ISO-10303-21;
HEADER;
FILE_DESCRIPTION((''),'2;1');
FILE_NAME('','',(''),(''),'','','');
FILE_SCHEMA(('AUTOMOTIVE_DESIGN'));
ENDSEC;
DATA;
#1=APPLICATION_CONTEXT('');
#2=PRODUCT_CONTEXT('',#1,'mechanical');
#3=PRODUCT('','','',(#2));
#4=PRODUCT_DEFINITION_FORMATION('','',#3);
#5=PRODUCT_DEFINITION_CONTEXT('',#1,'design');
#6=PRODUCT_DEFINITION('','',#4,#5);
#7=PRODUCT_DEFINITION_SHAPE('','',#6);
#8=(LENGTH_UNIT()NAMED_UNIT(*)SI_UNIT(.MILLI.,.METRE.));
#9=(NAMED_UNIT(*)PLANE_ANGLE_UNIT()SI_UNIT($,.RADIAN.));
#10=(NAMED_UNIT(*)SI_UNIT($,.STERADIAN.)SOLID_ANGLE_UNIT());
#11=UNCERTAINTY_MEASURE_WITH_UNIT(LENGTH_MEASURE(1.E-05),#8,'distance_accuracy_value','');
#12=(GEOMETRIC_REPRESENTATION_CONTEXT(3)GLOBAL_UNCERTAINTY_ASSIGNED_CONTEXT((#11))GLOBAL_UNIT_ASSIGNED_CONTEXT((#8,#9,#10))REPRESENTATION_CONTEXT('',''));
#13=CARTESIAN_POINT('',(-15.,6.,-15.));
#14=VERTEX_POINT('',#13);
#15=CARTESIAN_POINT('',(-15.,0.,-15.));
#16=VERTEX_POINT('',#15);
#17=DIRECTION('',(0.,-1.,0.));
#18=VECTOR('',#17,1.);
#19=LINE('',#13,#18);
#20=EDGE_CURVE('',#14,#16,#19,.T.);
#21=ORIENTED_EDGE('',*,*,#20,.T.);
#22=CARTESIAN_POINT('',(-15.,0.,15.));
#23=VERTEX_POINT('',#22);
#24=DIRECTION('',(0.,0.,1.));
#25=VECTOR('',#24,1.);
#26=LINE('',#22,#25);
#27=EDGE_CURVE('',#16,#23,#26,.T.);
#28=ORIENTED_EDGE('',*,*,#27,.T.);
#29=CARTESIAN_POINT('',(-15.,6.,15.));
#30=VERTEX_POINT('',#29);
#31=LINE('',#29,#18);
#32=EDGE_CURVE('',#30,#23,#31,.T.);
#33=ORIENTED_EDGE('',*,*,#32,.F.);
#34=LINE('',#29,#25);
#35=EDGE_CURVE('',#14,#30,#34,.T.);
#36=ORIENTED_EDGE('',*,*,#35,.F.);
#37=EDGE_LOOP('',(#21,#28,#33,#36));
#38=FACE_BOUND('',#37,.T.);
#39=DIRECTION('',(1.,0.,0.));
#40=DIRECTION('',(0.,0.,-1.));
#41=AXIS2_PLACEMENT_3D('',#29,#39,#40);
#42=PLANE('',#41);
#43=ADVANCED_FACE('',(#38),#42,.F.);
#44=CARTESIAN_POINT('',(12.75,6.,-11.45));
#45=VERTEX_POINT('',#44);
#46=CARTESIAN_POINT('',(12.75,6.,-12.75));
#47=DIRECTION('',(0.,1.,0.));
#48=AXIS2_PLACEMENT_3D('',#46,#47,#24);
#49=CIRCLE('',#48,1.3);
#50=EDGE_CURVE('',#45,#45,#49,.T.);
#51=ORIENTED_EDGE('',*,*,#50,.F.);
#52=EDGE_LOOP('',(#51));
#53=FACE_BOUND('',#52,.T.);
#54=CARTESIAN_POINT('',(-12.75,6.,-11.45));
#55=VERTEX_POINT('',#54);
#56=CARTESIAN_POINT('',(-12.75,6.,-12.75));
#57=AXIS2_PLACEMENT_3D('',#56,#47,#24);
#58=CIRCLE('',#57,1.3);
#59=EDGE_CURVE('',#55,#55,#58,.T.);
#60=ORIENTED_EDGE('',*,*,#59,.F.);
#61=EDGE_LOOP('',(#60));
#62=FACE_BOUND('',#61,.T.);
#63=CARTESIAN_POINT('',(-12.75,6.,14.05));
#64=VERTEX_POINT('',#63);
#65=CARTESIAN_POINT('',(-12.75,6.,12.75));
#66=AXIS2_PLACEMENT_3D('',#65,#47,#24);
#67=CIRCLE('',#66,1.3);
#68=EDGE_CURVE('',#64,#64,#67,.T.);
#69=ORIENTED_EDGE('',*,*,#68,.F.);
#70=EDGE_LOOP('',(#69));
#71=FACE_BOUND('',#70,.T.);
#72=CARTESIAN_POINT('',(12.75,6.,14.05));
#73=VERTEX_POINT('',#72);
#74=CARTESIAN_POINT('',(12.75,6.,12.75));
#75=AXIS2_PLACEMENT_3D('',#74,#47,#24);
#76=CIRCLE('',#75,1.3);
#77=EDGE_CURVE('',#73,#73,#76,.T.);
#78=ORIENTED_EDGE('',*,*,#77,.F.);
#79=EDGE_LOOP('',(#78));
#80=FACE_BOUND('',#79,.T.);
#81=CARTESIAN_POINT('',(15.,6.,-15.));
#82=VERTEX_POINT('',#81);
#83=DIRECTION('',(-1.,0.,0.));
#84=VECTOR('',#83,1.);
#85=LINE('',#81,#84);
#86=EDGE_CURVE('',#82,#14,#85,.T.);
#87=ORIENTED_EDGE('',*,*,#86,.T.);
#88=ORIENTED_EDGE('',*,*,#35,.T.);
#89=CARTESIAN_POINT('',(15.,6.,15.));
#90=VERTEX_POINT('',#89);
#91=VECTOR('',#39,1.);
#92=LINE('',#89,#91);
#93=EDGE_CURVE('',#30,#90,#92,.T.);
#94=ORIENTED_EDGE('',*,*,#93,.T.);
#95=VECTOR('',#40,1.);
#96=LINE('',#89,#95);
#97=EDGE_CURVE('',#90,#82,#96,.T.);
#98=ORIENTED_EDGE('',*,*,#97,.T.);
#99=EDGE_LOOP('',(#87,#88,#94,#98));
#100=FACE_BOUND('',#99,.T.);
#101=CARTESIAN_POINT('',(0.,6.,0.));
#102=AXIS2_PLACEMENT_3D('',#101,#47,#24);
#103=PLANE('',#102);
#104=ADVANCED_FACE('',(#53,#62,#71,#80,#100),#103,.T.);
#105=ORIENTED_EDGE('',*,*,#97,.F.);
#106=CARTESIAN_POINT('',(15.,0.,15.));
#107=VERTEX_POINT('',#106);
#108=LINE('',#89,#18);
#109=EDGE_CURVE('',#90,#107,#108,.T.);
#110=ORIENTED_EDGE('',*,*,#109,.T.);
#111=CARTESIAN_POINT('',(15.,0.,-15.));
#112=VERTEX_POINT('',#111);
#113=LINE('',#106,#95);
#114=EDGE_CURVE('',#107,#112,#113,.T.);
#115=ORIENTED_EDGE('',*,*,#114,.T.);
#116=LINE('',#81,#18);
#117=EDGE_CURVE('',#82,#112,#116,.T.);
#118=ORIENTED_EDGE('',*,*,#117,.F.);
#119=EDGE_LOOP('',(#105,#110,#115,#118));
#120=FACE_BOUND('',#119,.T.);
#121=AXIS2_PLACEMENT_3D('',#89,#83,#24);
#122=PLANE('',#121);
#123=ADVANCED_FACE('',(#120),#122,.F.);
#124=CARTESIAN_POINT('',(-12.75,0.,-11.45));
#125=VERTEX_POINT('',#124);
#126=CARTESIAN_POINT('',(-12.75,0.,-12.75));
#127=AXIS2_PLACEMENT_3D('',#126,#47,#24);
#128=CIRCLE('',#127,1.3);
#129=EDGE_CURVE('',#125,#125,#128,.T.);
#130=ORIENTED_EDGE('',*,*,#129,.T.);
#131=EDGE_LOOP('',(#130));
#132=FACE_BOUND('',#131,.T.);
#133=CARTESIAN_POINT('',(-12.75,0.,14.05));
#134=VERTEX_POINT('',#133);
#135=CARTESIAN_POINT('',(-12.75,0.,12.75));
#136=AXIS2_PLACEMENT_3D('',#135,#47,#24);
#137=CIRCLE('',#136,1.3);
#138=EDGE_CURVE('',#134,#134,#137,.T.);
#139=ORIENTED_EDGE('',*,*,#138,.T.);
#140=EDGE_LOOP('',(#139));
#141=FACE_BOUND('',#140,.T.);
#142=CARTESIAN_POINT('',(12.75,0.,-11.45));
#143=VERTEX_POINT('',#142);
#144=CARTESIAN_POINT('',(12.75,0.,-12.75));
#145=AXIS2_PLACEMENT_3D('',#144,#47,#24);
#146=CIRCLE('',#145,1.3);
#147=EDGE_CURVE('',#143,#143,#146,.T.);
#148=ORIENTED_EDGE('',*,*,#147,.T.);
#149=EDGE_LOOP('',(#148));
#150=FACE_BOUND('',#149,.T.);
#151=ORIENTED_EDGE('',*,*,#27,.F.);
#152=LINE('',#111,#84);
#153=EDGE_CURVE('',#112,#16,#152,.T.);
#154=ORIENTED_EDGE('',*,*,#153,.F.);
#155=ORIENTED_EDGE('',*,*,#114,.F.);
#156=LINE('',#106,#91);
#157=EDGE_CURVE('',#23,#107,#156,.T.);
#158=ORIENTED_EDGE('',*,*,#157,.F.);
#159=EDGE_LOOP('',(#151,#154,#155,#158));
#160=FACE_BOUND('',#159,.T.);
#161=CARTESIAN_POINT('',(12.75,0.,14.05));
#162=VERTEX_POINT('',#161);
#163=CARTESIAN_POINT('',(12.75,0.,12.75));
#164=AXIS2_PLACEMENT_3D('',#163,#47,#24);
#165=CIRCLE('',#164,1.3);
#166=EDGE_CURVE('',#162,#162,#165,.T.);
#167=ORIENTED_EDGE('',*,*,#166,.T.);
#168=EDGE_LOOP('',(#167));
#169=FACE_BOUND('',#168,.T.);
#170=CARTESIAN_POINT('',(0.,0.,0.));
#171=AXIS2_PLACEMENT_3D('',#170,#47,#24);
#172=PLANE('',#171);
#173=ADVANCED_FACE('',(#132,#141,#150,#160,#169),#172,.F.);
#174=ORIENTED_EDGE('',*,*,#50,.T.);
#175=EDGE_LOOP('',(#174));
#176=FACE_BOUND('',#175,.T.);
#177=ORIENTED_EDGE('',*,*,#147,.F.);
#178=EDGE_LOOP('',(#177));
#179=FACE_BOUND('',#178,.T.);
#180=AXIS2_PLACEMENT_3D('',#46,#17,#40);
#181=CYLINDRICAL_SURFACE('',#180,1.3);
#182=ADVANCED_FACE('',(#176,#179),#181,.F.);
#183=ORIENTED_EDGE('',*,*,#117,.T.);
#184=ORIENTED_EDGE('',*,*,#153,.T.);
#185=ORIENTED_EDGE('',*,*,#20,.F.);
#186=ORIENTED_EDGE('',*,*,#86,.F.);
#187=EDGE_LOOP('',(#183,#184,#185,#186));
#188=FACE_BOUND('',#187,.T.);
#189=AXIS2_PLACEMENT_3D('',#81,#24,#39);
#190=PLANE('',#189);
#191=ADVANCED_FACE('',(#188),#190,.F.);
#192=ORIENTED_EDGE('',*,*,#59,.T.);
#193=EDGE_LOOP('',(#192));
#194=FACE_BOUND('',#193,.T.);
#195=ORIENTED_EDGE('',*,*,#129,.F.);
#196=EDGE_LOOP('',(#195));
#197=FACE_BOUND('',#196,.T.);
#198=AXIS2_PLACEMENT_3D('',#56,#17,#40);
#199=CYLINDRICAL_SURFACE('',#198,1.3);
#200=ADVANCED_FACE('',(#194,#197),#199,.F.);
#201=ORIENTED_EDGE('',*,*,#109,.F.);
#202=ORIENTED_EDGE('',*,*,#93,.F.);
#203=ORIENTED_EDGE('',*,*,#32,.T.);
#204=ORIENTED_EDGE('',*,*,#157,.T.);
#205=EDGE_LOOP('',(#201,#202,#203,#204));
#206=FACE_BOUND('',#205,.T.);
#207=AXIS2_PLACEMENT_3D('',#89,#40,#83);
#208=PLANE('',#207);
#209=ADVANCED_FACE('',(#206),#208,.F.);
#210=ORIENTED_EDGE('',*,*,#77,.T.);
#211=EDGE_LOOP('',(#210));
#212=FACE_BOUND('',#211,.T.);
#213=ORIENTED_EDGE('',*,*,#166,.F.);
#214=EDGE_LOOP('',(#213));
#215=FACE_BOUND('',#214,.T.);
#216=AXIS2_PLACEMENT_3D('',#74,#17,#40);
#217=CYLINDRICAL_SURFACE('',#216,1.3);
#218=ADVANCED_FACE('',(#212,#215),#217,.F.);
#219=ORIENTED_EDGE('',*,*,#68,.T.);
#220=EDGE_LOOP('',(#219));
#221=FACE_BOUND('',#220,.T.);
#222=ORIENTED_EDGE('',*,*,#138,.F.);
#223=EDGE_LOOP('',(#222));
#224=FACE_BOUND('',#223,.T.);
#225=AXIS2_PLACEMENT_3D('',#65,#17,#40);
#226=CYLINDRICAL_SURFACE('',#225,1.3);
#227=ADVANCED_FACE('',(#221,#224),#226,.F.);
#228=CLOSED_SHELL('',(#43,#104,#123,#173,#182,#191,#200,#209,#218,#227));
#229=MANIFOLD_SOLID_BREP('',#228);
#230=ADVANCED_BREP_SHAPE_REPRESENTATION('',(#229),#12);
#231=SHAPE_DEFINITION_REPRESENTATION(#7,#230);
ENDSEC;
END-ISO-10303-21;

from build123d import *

# Parameters (mm, degrees)
SKETCH1_W           = 30
SKETCH1_H           = 30
SKETCH1_R           = 1.3
BOSS_EXTRUDE1_DEPTH = 6


with BuildPart() as part:
    # Sketch1 → Boss-Extrude1 (new body)
    with BuildSketch(Plane(origin=(0, 0, 0), x_dir=(1, 0, 0), z_dir=(0, 1, 0))):
        Rectangle(SKETCH1_W, SKETCH1_H)
        with Locations(Location((-12.75, 12.75, 0), (0, 0, 270))):
            Circle(SKETCH1_R, mode=Mode.SUBTRACT)
        with Locations(Location((12.75, 12.75, 0), (0, 0, 270))):
            Circle(SKETCH1_R, mode=Mode.SUBTRACT)
        with Locations(Location((12.75, -12.75, 0), (0, 0, 270))):
            Circle(SKETCH1_R, mode=Mode.SUBTRACT)
        with Locations(Location((-12.75, -12.75, 0), (0, 0, 270))):
            Circle(SKETCH1_R, mode=Mode.SUBTRACT)
    extrude(amount=BOSS_EXTRUDE1_DEPTH)


solid = part.part
